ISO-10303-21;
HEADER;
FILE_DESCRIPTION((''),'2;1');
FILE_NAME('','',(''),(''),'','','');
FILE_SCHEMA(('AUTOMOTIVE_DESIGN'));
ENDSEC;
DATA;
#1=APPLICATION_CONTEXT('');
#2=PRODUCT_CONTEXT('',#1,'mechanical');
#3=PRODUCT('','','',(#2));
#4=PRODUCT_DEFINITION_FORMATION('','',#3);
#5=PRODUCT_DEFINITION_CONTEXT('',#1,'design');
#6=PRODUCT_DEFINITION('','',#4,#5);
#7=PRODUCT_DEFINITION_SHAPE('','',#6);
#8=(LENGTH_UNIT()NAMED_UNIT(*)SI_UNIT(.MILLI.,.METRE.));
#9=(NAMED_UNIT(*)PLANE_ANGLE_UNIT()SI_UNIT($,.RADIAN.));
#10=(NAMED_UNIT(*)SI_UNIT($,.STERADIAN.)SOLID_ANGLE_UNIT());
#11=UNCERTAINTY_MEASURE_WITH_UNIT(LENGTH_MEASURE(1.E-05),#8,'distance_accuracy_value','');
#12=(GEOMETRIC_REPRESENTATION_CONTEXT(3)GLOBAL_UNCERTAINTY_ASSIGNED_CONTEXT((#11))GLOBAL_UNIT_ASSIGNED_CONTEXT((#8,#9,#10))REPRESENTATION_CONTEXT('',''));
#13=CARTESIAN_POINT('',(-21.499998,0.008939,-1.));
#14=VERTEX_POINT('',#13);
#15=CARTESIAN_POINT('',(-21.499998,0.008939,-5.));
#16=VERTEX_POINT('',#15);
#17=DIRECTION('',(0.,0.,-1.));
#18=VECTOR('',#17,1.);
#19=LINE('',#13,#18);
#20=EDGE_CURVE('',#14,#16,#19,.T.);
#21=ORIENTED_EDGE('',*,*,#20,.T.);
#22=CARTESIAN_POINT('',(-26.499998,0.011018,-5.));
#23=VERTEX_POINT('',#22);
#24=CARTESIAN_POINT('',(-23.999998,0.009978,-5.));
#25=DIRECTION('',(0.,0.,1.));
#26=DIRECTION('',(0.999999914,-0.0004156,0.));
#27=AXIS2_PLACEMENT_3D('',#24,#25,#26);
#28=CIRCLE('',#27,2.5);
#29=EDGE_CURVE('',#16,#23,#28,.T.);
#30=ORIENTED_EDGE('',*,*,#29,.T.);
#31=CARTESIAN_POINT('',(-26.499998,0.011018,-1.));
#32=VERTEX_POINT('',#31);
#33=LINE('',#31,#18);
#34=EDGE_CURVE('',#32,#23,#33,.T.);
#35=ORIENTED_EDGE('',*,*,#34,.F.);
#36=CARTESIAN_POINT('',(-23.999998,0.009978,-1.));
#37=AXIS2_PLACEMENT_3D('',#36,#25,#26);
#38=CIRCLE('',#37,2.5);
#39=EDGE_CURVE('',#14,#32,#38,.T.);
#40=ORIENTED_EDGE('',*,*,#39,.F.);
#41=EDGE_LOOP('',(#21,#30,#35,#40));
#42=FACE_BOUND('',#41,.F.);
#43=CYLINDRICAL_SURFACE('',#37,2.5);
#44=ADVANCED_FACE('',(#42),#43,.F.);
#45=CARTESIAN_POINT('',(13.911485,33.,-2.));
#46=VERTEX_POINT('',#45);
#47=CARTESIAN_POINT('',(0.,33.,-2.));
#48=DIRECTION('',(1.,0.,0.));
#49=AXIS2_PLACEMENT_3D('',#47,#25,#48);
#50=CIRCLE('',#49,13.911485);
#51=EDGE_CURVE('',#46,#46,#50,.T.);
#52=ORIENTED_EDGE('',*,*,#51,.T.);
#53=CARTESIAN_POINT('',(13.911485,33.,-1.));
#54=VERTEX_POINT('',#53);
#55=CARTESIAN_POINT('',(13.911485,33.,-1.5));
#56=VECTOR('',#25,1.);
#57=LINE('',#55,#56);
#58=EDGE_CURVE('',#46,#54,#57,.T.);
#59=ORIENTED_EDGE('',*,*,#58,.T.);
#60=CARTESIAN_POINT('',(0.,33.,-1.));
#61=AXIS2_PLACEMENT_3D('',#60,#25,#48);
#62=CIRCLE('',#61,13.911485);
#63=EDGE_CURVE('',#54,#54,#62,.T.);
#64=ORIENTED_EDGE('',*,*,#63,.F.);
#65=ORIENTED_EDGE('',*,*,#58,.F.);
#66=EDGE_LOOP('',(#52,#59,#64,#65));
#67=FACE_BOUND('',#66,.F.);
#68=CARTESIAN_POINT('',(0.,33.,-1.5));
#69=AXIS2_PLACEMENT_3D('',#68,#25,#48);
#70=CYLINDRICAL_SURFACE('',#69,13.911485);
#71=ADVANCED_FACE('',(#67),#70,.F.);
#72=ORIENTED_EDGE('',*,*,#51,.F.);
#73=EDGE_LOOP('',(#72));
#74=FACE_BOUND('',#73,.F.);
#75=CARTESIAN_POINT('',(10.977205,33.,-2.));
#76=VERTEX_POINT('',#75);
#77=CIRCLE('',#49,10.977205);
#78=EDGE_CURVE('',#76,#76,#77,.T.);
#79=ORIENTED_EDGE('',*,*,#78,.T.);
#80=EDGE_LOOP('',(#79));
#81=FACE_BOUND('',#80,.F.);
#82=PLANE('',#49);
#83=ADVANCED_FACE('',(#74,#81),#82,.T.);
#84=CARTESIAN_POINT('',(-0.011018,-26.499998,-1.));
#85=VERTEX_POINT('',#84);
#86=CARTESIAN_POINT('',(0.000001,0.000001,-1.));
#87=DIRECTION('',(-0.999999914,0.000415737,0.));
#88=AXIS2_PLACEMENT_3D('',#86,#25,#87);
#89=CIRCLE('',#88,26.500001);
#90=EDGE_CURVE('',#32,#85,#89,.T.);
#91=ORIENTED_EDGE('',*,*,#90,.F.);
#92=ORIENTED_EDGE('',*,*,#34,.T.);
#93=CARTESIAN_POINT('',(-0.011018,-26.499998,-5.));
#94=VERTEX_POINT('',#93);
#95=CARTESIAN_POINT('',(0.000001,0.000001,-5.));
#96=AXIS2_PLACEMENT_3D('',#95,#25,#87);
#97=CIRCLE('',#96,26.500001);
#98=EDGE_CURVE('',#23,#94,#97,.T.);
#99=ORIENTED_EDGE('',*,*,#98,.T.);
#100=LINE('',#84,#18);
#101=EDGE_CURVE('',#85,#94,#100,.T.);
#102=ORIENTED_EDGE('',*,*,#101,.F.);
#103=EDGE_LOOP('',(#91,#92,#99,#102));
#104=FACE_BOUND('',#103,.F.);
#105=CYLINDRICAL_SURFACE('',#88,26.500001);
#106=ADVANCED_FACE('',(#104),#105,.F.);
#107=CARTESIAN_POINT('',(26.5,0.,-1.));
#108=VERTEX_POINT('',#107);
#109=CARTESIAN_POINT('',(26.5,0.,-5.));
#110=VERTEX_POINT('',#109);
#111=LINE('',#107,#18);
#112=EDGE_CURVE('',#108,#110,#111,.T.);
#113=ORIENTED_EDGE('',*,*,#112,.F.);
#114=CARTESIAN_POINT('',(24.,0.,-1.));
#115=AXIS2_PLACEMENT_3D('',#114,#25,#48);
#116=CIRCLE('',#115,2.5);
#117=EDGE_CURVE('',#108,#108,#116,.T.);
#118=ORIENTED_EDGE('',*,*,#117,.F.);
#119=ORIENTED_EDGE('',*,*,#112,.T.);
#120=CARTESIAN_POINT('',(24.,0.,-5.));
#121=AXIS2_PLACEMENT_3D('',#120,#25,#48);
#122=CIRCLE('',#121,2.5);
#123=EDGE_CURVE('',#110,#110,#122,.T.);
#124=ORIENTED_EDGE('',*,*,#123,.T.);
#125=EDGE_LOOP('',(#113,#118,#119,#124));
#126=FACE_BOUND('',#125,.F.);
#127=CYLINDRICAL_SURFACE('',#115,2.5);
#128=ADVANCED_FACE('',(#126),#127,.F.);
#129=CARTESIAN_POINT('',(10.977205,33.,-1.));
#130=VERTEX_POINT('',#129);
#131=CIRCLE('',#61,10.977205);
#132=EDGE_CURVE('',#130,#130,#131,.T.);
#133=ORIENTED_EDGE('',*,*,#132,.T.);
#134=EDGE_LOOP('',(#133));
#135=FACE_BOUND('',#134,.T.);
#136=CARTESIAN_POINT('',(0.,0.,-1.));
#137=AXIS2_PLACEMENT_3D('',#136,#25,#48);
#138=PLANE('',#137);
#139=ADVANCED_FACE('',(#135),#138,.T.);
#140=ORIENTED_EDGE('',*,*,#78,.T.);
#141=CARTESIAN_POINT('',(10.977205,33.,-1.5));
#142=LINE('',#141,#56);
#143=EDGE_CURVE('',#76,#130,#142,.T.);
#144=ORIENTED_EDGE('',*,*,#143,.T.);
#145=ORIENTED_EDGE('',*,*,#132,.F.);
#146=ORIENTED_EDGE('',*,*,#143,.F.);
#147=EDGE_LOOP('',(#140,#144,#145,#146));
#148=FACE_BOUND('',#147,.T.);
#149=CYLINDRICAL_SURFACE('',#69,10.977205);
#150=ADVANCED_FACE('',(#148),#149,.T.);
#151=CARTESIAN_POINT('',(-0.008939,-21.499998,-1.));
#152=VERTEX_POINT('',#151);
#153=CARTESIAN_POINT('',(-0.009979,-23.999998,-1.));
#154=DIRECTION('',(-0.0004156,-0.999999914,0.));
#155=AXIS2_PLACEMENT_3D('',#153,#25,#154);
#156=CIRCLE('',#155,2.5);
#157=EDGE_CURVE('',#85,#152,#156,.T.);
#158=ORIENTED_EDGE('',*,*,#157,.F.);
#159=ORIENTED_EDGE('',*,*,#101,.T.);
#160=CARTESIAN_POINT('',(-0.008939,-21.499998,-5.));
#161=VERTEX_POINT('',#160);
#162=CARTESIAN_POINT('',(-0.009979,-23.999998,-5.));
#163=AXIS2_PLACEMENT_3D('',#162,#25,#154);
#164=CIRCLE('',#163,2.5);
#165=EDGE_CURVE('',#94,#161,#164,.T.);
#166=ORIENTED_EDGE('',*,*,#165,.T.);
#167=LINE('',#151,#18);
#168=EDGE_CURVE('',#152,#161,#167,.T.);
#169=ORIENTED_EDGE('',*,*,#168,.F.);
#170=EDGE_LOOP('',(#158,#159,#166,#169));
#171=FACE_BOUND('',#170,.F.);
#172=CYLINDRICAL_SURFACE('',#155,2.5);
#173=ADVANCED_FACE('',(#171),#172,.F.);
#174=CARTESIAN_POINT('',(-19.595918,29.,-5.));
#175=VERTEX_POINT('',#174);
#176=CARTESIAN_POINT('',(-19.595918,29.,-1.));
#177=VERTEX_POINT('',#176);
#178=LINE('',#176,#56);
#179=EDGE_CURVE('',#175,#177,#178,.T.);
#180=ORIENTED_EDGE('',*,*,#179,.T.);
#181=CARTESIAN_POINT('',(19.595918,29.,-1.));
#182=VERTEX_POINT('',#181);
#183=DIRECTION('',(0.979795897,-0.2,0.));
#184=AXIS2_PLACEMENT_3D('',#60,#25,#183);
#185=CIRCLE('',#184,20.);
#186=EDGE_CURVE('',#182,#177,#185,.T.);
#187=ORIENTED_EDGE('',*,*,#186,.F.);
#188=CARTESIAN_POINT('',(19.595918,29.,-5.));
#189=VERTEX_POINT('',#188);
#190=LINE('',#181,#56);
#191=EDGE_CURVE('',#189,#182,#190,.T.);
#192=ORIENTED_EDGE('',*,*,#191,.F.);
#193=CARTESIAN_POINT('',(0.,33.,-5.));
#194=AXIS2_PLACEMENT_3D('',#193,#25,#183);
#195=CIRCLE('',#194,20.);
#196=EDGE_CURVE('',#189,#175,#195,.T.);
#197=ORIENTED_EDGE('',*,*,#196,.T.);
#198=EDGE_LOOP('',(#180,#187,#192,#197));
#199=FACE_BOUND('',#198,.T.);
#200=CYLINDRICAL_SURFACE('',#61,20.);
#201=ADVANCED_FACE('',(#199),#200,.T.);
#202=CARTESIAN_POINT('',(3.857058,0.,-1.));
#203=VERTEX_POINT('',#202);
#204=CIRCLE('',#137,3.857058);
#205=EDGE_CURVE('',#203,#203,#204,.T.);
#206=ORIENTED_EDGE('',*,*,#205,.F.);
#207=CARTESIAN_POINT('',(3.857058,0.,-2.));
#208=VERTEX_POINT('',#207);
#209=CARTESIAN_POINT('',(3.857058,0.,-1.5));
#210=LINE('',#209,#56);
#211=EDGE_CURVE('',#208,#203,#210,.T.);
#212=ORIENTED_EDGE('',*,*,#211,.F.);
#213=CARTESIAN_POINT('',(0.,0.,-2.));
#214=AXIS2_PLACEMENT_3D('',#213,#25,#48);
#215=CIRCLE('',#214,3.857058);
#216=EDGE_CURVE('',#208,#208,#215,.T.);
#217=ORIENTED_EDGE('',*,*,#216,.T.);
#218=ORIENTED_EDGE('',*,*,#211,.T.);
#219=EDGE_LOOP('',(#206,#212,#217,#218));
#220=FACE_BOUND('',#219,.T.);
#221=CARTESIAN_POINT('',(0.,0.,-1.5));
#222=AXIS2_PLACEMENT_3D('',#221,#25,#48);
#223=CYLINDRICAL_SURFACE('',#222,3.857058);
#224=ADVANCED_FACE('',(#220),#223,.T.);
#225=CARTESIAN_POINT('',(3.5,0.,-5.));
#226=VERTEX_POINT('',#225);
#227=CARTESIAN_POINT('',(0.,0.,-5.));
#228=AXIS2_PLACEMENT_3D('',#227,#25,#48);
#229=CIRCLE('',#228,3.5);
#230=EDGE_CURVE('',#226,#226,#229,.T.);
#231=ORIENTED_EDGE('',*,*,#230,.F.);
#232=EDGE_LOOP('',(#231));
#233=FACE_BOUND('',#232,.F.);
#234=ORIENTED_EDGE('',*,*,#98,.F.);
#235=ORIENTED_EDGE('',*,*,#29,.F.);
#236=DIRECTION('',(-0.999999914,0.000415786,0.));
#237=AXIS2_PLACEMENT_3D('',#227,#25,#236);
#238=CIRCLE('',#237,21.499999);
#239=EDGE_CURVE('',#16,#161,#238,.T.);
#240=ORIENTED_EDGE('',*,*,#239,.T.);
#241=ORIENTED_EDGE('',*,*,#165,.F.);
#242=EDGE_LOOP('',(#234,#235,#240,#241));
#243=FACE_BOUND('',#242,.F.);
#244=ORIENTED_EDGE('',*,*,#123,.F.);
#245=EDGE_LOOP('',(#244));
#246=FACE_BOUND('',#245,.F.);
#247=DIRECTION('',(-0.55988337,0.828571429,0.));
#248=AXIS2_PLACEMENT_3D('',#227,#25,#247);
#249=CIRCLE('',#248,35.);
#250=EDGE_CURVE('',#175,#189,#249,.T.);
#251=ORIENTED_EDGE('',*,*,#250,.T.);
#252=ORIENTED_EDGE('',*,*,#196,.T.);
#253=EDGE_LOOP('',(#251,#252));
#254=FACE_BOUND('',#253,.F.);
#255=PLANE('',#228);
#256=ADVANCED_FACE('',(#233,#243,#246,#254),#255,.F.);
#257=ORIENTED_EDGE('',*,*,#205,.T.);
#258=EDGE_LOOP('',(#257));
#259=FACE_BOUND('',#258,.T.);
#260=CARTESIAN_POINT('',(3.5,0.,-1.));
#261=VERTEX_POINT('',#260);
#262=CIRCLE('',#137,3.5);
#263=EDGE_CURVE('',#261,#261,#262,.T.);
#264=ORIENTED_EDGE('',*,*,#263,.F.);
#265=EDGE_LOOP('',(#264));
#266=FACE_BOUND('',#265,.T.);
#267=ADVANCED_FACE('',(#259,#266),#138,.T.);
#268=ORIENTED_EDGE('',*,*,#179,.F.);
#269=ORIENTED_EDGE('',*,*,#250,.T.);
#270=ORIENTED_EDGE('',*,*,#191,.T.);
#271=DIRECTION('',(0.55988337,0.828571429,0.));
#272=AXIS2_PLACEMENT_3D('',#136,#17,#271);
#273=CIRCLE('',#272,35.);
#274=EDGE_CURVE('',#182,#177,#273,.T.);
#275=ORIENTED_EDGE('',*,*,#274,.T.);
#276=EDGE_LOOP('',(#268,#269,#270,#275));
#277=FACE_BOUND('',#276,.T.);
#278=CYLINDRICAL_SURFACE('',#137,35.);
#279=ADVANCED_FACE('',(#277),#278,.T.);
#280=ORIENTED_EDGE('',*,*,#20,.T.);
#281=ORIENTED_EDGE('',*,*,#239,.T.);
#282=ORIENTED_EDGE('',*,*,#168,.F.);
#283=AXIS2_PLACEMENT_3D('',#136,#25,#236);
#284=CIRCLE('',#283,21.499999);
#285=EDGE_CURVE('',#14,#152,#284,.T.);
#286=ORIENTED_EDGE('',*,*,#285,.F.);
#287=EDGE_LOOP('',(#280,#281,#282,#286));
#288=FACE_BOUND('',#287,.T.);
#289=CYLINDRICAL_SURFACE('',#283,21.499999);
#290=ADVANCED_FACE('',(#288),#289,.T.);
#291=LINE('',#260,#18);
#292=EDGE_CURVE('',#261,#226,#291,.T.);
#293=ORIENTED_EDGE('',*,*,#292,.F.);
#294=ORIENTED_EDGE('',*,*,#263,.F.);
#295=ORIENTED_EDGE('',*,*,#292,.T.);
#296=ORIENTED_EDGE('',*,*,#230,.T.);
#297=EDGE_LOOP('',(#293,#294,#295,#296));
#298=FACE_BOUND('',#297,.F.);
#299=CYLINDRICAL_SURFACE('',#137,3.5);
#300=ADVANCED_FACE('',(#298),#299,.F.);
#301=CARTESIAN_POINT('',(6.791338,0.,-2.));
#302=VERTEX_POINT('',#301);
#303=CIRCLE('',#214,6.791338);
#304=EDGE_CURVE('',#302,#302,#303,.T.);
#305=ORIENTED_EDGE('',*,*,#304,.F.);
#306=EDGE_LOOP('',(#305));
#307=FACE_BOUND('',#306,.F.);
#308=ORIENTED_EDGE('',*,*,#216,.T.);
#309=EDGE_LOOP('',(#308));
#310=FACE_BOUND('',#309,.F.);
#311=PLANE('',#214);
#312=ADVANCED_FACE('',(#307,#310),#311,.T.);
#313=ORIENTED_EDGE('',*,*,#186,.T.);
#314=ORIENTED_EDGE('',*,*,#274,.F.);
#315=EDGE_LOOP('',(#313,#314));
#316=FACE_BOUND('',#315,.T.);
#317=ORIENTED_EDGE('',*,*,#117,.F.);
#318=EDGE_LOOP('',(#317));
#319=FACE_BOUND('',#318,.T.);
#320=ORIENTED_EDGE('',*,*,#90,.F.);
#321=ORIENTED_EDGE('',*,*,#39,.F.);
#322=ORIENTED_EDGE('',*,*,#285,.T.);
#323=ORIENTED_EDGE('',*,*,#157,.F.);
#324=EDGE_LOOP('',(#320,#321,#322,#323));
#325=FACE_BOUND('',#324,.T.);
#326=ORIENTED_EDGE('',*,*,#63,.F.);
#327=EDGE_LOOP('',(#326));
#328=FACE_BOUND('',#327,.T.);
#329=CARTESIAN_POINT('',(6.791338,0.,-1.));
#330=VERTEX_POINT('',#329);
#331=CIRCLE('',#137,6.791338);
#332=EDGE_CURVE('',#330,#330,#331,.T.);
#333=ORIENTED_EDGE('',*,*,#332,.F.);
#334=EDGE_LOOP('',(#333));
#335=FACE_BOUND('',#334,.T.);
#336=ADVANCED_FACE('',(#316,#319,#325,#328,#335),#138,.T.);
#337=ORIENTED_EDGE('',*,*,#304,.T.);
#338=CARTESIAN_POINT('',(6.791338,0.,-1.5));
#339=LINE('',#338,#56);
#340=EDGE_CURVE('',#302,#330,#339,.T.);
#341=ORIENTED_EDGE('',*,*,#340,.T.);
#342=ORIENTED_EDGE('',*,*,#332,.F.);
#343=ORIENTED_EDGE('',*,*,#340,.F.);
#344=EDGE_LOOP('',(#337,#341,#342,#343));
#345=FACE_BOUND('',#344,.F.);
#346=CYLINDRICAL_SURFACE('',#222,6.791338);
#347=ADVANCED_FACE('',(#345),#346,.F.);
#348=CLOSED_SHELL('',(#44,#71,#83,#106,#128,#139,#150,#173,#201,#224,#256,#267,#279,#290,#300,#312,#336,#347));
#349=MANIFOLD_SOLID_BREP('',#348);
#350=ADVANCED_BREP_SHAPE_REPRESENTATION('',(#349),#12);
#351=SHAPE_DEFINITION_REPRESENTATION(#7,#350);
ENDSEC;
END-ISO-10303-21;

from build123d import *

# Parameters (mm, degrees)
SKETCH020_W   = 2.93428
SKETCH020_H   = 1
SKETCH021_W   = 2.93428
SKETCH021_H   = 1
SKETCH017_R   = 35
SKETCH017_R_2 = 2.5
SKETCH017_R_3 = 3.5
PAD_DEPTH     = 4
SKETCH018_R   = 20
PAD015_DEPTH  = 4


with BuildPart() as bearing_race_differential:
    # Sketch020 → Revolution008 (revolve)
    with BuildSketch(Plane(origin=(0, 33, -0.5), x_dir=(1, 0, 0), z_dir=(0, -1, 0))):
        with Locations((12.444345, -1)):
            Rectangle(SKETCH020_W, SKETCH020_H)
    revolve(axis=Axis((0, 33, -0.5), (0, 0, 1)))


with BuildPart() as bearing_races:
    # Sketch021 → Revolution009 (revolve)
    with BuildSketch(Plane(origin=(0, 0, -0.5), x_dir=(1, 0, 0), z_dir=(0, -1, 0))):
        with Locations((5.324198, -1)):
            Rectangle(SKETCH021_W, SKETCH021_H)
    revolve(axis=Axis((0, 0, -0.5), (0, 0, 1)))

    # Fusion015: union bearing race - differential
    add(bearing_race_differential.part)


with BuildPart() as main:
    # Sketch017 → Pad (new body)
    with BuildSketch(Plane.XY.offset(-1)):
        Circle(SKETCH017_R)
        with Locations((24, 0)):
            Circle(SKETCH017_R_2, mode=Mode.SUBTRACT)
        Circle(SKETCH017_R_3, mode=Mode.SUBTRACT)
        with BuildLine():
            ThreePointArc((-26.499998, 0.011018), (-18.746119, -18.730537), (-0.011018, -26.499998))
            ThreePointArc((-0.011018, -26.499998), (2.490021, -24.001037), (-0.008939, -21.499998))
            ThreePointArc((-21.499998, 0.008939), (-15.209115, -15.196474), (-0.008939, -21.499998))
            ThreePointArc((-21.499998, 0.008939), (-23.998959, 2.509978), (-26.499998, 0.011018))
        make_face(mode=Mode.SUBTRACT)
    extrude(amount=-PAD_DEPTH)


with BuildPart() as cut011002005:
    # Sketch018 → Pad015 (new body)
    with BuildSketch(Plane.XY.offset(-1)):
        with Locations((0, 33)):
            Circle(SKETCH018_R)
    extrude(amount=-PAD015_DEPTH)

    # Fusion: union Main
    add(main.part)

    # Cut011002005: cut bearing races
    add(bearing_races.part, mode=Mode.SUBTRACT)


solid = cut011002005.part
